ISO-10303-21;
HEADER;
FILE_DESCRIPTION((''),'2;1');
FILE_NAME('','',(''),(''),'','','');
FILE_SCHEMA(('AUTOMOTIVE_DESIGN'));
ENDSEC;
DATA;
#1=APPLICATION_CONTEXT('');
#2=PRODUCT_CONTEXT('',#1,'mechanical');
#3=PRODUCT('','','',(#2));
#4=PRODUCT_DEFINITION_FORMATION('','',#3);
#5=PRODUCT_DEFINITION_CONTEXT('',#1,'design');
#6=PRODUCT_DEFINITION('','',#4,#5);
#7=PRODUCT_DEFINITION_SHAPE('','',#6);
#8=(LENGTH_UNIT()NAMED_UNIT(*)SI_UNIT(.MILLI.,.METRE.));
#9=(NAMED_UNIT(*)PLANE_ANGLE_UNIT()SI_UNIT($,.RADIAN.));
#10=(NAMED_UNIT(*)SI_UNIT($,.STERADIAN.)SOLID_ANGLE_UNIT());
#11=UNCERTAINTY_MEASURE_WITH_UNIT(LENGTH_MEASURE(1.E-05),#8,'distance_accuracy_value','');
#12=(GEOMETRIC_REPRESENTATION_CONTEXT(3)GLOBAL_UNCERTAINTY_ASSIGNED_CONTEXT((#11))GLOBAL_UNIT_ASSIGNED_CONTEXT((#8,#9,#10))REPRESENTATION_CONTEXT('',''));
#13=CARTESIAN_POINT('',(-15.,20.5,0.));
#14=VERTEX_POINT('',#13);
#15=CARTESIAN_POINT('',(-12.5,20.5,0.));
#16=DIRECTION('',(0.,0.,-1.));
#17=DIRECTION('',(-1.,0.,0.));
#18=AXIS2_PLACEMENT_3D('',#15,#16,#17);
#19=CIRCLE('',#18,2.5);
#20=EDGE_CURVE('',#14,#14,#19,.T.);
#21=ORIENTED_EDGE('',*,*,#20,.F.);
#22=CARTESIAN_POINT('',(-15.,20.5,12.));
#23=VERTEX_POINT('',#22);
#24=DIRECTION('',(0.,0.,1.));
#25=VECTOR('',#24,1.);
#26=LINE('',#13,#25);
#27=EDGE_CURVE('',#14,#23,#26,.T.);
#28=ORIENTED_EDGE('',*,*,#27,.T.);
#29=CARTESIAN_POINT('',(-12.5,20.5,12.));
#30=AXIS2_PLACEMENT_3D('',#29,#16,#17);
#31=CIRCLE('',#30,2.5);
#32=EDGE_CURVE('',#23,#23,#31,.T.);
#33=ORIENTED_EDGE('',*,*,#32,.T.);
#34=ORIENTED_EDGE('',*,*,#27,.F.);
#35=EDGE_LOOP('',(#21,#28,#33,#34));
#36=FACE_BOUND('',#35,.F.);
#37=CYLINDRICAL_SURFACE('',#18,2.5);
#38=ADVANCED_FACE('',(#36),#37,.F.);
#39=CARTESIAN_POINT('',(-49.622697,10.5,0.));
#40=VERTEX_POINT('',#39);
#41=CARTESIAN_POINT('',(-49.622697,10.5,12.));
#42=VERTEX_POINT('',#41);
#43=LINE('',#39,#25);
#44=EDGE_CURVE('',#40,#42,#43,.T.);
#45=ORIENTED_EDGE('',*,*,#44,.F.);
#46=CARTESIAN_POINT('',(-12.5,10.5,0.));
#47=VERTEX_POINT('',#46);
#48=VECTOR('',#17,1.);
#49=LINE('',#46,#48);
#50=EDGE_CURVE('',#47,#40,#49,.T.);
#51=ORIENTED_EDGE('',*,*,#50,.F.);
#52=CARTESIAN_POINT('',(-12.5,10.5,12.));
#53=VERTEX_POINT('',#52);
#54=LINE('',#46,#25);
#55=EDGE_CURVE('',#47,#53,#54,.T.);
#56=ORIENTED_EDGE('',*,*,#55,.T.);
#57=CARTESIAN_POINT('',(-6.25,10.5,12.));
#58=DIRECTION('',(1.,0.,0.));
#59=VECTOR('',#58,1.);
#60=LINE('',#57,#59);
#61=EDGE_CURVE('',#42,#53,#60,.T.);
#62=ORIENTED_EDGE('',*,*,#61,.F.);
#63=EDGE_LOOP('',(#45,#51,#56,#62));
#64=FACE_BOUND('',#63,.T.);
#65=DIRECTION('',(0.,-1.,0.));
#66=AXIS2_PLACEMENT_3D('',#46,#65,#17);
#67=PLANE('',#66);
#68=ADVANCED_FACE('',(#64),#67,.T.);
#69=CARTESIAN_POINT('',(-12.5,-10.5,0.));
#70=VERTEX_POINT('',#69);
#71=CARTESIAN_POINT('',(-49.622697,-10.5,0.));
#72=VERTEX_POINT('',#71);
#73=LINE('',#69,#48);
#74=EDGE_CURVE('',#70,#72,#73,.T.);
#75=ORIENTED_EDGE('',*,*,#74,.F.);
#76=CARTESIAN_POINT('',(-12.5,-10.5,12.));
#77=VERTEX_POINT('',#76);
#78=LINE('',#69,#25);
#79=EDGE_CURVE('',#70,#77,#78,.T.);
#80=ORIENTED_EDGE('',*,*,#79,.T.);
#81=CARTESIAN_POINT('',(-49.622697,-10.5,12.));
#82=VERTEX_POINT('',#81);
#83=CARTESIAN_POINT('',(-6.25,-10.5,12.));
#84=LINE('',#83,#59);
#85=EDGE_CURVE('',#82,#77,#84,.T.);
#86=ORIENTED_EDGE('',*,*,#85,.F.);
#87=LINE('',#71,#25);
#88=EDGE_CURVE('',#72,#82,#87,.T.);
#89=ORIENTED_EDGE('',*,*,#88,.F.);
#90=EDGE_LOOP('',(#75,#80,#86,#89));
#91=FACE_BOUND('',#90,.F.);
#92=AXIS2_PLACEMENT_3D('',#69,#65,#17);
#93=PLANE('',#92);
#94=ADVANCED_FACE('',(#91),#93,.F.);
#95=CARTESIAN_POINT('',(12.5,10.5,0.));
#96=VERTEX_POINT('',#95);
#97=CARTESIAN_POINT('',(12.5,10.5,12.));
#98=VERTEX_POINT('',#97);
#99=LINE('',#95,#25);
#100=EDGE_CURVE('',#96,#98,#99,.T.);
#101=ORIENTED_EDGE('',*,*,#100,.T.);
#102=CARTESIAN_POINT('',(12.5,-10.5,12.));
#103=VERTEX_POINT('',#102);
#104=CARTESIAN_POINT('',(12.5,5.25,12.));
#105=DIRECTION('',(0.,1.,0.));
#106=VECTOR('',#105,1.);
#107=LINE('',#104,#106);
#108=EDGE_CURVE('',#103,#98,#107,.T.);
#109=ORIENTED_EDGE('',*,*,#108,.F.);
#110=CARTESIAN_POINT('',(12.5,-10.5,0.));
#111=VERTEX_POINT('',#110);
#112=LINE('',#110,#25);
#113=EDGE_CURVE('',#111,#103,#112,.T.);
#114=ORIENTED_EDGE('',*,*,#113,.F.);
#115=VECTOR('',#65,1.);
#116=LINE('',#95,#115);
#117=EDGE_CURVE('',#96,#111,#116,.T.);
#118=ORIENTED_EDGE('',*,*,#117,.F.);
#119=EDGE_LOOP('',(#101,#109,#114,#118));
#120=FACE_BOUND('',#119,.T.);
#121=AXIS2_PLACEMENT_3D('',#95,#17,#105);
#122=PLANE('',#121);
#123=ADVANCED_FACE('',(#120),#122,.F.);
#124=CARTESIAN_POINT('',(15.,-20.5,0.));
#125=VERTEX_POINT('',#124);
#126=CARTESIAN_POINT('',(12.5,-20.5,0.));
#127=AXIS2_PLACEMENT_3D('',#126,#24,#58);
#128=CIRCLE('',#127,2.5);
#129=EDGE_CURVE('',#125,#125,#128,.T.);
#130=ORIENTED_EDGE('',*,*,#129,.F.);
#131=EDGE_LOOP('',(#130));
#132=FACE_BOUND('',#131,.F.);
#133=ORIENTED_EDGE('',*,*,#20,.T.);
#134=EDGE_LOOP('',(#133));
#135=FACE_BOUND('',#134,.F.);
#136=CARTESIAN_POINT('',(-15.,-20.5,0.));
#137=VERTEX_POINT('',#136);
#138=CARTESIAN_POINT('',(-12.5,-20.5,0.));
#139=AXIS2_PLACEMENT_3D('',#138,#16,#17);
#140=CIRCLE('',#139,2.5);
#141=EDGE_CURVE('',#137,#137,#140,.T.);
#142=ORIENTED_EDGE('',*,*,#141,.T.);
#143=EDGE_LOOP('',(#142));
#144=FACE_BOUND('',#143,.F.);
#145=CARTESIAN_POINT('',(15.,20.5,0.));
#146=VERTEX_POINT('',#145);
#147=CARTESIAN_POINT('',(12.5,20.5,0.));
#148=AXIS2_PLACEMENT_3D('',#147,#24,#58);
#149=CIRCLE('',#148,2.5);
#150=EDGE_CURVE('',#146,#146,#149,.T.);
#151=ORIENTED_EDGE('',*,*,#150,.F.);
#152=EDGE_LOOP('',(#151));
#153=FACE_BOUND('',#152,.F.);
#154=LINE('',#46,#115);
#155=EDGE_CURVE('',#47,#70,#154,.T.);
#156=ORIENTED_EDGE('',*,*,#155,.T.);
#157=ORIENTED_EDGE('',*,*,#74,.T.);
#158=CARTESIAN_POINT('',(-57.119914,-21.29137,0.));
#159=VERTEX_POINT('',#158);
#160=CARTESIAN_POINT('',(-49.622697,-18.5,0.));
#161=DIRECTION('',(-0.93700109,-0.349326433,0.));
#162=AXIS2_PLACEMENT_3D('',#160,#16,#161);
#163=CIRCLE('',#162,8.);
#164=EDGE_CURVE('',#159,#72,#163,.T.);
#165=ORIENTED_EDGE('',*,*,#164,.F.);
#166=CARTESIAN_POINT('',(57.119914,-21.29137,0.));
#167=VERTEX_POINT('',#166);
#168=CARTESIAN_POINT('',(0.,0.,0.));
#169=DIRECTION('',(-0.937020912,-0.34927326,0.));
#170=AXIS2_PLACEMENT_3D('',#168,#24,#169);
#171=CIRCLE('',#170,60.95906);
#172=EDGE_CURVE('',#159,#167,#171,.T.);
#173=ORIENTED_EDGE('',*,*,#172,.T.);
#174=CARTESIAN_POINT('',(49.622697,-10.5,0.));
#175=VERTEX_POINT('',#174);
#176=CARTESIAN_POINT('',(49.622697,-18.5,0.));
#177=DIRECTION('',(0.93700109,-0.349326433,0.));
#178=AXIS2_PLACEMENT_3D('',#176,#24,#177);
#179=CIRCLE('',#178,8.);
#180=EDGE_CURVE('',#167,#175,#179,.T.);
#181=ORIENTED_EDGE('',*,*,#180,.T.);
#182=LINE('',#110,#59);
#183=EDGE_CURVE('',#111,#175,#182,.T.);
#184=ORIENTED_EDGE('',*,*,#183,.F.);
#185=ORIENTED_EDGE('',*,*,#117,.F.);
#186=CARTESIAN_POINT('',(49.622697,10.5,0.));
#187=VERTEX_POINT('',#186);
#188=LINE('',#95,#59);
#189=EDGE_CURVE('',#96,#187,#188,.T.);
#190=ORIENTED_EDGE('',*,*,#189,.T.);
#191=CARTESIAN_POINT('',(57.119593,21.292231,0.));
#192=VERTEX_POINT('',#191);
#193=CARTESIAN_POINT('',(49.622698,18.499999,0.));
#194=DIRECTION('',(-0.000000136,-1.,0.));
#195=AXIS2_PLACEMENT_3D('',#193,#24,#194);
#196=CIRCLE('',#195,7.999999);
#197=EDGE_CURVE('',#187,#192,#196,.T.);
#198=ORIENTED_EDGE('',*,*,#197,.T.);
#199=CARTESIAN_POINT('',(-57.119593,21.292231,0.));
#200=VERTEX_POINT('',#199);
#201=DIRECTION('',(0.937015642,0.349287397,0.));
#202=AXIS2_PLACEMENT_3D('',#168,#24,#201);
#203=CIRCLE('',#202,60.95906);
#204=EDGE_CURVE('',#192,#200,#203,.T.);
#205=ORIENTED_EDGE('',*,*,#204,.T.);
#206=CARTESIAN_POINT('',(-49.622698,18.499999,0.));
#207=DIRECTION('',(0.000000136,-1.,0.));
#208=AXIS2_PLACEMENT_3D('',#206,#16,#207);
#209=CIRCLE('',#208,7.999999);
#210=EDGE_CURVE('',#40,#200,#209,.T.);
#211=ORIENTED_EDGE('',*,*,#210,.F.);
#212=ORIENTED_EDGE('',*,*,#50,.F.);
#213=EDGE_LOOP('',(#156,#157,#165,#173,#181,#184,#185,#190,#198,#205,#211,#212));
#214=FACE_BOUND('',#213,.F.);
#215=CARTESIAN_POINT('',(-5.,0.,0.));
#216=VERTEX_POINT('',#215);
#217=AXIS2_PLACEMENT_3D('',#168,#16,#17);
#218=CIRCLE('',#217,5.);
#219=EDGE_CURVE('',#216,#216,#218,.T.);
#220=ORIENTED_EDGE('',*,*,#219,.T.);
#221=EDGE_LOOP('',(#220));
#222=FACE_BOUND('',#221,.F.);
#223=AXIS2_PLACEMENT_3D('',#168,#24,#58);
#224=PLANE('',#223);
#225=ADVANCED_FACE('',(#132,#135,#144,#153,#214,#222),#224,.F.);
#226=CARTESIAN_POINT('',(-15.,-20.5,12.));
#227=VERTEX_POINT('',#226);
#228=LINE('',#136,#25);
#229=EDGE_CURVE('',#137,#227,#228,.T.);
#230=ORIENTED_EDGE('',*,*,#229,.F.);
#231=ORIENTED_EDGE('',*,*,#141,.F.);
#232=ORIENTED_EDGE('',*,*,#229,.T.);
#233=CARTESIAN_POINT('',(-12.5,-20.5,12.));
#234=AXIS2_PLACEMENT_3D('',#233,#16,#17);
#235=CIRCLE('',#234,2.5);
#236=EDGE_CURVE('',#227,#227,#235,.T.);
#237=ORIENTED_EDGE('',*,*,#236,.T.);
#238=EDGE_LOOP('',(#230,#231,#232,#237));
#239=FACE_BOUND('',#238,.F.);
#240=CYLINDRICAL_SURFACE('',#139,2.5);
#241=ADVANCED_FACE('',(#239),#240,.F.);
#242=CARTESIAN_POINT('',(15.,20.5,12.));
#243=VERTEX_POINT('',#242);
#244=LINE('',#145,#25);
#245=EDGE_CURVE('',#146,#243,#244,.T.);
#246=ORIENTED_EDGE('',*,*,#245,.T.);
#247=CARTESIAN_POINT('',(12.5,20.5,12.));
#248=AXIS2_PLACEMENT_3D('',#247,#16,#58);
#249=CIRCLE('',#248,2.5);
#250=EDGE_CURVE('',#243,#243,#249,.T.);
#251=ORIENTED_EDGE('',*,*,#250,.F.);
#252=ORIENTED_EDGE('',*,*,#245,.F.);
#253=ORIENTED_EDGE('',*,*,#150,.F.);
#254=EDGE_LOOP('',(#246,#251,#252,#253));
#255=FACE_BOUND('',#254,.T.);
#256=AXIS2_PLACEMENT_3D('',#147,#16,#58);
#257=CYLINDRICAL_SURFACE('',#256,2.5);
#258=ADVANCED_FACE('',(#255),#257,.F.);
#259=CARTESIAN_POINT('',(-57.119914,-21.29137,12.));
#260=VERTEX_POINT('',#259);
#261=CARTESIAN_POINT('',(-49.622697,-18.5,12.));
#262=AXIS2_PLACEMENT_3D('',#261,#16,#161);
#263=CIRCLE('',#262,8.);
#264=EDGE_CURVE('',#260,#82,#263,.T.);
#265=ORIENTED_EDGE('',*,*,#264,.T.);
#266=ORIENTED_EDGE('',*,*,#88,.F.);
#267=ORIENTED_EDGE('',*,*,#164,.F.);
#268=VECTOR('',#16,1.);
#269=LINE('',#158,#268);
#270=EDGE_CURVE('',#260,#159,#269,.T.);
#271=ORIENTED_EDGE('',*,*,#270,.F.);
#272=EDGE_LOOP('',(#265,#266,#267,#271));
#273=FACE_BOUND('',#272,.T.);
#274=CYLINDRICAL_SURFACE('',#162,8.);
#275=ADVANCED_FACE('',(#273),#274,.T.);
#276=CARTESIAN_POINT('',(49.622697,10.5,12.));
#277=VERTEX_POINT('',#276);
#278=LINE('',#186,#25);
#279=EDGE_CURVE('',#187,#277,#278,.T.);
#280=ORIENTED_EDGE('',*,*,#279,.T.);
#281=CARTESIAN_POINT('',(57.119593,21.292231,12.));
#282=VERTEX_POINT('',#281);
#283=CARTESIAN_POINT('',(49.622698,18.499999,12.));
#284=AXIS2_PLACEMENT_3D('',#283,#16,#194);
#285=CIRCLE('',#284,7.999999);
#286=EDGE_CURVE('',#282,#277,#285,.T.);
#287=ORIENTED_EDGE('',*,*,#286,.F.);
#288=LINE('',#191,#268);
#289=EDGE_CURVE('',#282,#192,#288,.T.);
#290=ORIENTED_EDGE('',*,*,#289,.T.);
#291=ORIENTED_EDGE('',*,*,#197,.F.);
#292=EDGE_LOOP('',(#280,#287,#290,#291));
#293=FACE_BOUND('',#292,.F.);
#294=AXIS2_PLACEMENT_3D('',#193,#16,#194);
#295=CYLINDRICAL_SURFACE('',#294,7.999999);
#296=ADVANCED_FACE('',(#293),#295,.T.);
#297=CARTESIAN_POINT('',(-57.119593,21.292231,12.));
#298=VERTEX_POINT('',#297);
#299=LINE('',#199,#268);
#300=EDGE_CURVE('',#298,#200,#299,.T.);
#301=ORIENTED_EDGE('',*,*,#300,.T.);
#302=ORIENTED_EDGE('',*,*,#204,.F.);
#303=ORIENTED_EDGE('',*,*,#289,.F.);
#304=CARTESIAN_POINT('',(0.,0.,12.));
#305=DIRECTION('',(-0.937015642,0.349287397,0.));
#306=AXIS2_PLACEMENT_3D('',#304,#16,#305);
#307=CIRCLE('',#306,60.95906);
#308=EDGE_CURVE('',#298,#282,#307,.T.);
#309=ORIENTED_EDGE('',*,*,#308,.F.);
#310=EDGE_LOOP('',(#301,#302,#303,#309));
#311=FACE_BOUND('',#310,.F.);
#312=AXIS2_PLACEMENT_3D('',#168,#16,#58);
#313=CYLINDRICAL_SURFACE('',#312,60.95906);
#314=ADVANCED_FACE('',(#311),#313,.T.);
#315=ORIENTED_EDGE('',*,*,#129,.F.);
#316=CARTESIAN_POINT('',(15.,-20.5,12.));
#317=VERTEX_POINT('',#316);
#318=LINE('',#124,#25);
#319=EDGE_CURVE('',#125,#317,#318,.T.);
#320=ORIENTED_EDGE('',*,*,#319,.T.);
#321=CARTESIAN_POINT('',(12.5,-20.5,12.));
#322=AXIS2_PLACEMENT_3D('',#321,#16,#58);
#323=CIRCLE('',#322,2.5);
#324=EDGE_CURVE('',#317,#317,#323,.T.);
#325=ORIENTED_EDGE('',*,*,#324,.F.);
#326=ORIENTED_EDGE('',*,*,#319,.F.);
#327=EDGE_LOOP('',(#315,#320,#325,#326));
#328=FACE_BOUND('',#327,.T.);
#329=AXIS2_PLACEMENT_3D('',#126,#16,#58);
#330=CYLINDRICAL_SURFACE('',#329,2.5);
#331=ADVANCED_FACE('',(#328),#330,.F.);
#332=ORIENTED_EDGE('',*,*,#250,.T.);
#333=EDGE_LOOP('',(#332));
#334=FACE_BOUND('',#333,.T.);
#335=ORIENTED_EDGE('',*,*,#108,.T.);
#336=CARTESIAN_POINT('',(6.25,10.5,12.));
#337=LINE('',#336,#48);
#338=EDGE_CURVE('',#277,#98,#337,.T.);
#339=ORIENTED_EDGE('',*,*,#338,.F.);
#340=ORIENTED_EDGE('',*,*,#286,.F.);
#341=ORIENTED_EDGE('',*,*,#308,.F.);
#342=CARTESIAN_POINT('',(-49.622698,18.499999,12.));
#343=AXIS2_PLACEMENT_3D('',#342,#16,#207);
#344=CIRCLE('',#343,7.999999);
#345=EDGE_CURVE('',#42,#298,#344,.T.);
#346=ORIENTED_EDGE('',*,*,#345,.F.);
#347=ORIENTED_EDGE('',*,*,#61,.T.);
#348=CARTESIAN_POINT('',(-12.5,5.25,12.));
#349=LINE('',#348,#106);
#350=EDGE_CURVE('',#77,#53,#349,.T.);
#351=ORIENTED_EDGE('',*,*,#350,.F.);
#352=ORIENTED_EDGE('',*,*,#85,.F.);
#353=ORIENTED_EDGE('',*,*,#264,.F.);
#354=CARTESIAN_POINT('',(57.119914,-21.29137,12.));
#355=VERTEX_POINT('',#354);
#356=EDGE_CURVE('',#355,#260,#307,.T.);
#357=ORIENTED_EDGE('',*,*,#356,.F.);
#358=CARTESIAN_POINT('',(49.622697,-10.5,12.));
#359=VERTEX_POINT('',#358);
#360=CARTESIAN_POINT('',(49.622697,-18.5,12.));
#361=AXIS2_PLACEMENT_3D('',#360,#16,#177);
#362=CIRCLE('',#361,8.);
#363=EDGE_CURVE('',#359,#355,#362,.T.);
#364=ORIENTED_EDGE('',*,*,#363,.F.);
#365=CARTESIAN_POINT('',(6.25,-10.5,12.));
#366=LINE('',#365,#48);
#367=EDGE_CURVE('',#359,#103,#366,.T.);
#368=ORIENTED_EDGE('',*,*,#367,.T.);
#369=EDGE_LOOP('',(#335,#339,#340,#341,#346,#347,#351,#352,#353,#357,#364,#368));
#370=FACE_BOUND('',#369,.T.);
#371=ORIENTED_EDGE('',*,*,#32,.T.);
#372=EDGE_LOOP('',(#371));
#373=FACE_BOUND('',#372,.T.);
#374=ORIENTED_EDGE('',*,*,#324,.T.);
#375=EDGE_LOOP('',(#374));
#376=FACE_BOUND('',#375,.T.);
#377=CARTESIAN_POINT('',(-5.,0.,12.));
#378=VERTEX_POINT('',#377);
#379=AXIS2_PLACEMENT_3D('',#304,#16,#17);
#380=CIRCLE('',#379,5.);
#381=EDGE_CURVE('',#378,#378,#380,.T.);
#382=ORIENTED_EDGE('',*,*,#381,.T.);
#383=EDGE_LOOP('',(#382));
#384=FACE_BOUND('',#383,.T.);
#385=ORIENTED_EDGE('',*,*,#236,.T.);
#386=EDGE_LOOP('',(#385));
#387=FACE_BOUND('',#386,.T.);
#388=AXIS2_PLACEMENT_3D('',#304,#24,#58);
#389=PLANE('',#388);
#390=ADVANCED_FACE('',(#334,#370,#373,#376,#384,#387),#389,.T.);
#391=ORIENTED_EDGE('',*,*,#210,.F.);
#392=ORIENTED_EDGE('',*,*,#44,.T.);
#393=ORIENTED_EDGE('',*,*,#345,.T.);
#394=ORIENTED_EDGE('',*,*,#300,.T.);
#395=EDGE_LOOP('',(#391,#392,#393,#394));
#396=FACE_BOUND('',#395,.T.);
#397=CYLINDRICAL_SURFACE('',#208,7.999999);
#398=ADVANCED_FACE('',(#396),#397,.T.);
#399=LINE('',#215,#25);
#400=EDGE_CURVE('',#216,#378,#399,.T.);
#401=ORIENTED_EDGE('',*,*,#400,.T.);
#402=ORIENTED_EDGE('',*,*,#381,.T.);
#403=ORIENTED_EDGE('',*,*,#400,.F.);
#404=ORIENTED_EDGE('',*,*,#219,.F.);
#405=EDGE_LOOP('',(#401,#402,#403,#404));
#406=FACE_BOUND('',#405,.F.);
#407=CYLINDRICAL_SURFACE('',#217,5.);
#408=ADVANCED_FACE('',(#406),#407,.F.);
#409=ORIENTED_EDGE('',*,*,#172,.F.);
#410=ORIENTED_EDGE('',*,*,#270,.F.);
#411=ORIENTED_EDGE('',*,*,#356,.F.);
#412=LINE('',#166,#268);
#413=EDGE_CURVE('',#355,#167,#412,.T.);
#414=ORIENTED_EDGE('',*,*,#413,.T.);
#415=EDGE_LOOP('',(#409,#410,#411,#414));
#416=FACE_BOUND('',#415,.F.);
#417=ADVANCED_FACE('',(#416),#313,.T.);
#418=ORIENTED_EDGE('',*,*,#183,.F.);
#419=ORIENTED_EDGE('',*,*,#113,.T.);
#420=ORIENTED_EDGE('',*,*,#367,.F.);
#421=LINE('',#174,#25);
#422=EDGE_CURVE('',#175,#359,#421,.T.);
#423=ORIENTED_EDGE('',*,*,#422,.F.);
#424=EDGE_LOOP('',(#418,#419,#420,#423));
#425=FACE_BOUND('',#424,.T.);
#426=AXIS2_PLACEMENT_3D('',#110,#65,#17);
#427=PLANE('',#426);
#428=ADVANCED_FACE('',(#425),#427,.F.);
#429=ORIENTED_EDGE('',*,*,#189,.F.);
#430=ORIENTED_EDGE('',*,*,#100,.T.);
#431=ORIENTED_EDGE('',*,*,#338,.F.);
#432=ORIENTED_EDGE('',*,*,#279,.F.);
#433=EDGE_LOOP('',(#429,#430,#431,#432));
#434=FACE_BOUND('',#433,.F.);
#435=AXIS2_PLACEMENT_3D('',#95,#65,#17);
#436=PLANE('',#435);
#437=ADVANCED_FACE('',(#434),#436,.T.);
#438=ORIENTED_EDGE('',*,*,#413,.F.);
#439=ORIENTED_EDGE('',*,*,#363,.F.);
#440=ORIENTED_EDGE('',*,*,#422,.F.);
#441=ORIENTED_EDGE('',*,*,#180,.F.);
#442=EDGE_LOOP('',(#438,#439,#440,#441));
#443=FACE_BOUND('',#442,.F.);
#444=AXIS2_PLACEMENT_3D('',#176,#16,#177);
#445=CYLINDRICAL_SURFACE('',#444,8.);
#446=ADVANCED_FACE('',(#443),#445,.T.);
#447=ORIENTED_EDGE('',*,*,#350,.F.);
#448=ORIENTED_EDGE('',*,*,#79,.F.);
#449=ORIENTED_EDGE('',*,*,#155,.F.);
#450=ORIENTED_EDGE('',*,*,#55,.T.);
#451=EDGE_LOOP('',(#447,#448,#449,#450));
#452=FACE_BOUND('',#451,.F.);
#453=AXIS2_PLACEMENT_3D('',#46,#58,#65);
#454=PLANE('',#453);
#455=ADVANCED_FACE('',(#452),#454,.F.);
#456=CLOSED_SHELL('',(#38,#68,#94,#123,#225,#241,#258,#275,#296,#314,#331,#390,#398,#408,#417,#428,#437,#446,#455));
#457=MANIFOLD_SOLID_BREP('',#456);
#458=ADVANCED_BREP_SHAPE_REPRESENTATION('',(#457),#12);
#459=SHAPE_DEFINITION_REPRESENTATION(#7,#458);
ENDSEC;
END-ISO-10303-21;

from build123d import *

# Parameters (mm, degrees)
SKETCH_R        = 60.95906
PAD_DEPTH       = 12
SKETCH001_R     = 5
POCKET_DEPTH    = 12.001
SKETCH002_R     = 2.5
POCKET005_DEPTH = 357.671689
POCKET004_DEPTH = 357.671689


with BuildPart() as part:
    # Sketch → Pad (new body)
    with BuildSketch(Plane.XY):
        Circle(SKETCH_R)
    extrude(amount=PAD_DEPTH)

    # Sketch001 → Pocket (cut, through all)
    with BuildSketch(Plane(origin=(0, 0, 0), x_dir=(-1, 0, 0), z_dir=(0, 0, -1))):
        Circle(SKETCH001_R)
    extrude(amount=-POCKET_DEPTH, mode=Mode.SUBTRACT)

    # Sketch002 → Pocket005 (cut, through all)
    with BuildSketch(Plane(origin=(0, 0, 0), x_dir=(-1, 0, 0), z_dir=(0, 0, -1))):
        with Locations((12.5, 20.5)):
            Circle(SKETCH002_R)
        with Locations((12.5, -20.5)):
            Circle(SKETCH002_R)
    pocket005 = extrude(amount=-POCKET005_DEPTH, mode=Mode.SUBTRACT)

    # Mirrored001: Pocket005 across Sketch002 V_Axis
    add(pocket005.mirror(Plane(origin=(0, 0, 0), x_dir=(0, 0, -1), z_dir=(-1, 0, 0))), mode=Mode.SUBTRACT)

    # Sketch005 → Pocket004 (cut, through all)
    with BuildSketch(Plane(origin=(0, 0, 0), x_dir=(-1, 0, 0), z_dir=(0, 0, -1))):
        with BuildLine():
            Line((12.5, 10.5), (49.622697, 10.5))
            ThreePointArc((49.622697, 10.5), (56.193721, 13.936925), (57.118715, 21.294587))
            ThreePointArc((57.118706, -21.294612), (60.95906, -1.3e-05), (57.118715, 21.294587))
            ThreePointArc((57.118706, -21.294612), (56.193728, -13.936936), (49.622697, -10.5))
            Line((12.5, -10.5), (49.622697, -10.5))
            Line((12.5, 0), (12.5, -10.5))
            Line((12.5, 10.5), (12.5, 0))
        make_face()
    pocket004 = extrude(amount=-POCKET004_DEPTH, mode=Mode.SUBTRACT)

    # Mirrored: Pocket004 across Sketch005 V_Axis
    add(pocket004.mirror(Plane(origin=(0, 0, 0), x_dir=(0, 0, -1), z_dir=(-1, 0, 0))), mode=Mode.SUBTRACT)


solid = part.part
